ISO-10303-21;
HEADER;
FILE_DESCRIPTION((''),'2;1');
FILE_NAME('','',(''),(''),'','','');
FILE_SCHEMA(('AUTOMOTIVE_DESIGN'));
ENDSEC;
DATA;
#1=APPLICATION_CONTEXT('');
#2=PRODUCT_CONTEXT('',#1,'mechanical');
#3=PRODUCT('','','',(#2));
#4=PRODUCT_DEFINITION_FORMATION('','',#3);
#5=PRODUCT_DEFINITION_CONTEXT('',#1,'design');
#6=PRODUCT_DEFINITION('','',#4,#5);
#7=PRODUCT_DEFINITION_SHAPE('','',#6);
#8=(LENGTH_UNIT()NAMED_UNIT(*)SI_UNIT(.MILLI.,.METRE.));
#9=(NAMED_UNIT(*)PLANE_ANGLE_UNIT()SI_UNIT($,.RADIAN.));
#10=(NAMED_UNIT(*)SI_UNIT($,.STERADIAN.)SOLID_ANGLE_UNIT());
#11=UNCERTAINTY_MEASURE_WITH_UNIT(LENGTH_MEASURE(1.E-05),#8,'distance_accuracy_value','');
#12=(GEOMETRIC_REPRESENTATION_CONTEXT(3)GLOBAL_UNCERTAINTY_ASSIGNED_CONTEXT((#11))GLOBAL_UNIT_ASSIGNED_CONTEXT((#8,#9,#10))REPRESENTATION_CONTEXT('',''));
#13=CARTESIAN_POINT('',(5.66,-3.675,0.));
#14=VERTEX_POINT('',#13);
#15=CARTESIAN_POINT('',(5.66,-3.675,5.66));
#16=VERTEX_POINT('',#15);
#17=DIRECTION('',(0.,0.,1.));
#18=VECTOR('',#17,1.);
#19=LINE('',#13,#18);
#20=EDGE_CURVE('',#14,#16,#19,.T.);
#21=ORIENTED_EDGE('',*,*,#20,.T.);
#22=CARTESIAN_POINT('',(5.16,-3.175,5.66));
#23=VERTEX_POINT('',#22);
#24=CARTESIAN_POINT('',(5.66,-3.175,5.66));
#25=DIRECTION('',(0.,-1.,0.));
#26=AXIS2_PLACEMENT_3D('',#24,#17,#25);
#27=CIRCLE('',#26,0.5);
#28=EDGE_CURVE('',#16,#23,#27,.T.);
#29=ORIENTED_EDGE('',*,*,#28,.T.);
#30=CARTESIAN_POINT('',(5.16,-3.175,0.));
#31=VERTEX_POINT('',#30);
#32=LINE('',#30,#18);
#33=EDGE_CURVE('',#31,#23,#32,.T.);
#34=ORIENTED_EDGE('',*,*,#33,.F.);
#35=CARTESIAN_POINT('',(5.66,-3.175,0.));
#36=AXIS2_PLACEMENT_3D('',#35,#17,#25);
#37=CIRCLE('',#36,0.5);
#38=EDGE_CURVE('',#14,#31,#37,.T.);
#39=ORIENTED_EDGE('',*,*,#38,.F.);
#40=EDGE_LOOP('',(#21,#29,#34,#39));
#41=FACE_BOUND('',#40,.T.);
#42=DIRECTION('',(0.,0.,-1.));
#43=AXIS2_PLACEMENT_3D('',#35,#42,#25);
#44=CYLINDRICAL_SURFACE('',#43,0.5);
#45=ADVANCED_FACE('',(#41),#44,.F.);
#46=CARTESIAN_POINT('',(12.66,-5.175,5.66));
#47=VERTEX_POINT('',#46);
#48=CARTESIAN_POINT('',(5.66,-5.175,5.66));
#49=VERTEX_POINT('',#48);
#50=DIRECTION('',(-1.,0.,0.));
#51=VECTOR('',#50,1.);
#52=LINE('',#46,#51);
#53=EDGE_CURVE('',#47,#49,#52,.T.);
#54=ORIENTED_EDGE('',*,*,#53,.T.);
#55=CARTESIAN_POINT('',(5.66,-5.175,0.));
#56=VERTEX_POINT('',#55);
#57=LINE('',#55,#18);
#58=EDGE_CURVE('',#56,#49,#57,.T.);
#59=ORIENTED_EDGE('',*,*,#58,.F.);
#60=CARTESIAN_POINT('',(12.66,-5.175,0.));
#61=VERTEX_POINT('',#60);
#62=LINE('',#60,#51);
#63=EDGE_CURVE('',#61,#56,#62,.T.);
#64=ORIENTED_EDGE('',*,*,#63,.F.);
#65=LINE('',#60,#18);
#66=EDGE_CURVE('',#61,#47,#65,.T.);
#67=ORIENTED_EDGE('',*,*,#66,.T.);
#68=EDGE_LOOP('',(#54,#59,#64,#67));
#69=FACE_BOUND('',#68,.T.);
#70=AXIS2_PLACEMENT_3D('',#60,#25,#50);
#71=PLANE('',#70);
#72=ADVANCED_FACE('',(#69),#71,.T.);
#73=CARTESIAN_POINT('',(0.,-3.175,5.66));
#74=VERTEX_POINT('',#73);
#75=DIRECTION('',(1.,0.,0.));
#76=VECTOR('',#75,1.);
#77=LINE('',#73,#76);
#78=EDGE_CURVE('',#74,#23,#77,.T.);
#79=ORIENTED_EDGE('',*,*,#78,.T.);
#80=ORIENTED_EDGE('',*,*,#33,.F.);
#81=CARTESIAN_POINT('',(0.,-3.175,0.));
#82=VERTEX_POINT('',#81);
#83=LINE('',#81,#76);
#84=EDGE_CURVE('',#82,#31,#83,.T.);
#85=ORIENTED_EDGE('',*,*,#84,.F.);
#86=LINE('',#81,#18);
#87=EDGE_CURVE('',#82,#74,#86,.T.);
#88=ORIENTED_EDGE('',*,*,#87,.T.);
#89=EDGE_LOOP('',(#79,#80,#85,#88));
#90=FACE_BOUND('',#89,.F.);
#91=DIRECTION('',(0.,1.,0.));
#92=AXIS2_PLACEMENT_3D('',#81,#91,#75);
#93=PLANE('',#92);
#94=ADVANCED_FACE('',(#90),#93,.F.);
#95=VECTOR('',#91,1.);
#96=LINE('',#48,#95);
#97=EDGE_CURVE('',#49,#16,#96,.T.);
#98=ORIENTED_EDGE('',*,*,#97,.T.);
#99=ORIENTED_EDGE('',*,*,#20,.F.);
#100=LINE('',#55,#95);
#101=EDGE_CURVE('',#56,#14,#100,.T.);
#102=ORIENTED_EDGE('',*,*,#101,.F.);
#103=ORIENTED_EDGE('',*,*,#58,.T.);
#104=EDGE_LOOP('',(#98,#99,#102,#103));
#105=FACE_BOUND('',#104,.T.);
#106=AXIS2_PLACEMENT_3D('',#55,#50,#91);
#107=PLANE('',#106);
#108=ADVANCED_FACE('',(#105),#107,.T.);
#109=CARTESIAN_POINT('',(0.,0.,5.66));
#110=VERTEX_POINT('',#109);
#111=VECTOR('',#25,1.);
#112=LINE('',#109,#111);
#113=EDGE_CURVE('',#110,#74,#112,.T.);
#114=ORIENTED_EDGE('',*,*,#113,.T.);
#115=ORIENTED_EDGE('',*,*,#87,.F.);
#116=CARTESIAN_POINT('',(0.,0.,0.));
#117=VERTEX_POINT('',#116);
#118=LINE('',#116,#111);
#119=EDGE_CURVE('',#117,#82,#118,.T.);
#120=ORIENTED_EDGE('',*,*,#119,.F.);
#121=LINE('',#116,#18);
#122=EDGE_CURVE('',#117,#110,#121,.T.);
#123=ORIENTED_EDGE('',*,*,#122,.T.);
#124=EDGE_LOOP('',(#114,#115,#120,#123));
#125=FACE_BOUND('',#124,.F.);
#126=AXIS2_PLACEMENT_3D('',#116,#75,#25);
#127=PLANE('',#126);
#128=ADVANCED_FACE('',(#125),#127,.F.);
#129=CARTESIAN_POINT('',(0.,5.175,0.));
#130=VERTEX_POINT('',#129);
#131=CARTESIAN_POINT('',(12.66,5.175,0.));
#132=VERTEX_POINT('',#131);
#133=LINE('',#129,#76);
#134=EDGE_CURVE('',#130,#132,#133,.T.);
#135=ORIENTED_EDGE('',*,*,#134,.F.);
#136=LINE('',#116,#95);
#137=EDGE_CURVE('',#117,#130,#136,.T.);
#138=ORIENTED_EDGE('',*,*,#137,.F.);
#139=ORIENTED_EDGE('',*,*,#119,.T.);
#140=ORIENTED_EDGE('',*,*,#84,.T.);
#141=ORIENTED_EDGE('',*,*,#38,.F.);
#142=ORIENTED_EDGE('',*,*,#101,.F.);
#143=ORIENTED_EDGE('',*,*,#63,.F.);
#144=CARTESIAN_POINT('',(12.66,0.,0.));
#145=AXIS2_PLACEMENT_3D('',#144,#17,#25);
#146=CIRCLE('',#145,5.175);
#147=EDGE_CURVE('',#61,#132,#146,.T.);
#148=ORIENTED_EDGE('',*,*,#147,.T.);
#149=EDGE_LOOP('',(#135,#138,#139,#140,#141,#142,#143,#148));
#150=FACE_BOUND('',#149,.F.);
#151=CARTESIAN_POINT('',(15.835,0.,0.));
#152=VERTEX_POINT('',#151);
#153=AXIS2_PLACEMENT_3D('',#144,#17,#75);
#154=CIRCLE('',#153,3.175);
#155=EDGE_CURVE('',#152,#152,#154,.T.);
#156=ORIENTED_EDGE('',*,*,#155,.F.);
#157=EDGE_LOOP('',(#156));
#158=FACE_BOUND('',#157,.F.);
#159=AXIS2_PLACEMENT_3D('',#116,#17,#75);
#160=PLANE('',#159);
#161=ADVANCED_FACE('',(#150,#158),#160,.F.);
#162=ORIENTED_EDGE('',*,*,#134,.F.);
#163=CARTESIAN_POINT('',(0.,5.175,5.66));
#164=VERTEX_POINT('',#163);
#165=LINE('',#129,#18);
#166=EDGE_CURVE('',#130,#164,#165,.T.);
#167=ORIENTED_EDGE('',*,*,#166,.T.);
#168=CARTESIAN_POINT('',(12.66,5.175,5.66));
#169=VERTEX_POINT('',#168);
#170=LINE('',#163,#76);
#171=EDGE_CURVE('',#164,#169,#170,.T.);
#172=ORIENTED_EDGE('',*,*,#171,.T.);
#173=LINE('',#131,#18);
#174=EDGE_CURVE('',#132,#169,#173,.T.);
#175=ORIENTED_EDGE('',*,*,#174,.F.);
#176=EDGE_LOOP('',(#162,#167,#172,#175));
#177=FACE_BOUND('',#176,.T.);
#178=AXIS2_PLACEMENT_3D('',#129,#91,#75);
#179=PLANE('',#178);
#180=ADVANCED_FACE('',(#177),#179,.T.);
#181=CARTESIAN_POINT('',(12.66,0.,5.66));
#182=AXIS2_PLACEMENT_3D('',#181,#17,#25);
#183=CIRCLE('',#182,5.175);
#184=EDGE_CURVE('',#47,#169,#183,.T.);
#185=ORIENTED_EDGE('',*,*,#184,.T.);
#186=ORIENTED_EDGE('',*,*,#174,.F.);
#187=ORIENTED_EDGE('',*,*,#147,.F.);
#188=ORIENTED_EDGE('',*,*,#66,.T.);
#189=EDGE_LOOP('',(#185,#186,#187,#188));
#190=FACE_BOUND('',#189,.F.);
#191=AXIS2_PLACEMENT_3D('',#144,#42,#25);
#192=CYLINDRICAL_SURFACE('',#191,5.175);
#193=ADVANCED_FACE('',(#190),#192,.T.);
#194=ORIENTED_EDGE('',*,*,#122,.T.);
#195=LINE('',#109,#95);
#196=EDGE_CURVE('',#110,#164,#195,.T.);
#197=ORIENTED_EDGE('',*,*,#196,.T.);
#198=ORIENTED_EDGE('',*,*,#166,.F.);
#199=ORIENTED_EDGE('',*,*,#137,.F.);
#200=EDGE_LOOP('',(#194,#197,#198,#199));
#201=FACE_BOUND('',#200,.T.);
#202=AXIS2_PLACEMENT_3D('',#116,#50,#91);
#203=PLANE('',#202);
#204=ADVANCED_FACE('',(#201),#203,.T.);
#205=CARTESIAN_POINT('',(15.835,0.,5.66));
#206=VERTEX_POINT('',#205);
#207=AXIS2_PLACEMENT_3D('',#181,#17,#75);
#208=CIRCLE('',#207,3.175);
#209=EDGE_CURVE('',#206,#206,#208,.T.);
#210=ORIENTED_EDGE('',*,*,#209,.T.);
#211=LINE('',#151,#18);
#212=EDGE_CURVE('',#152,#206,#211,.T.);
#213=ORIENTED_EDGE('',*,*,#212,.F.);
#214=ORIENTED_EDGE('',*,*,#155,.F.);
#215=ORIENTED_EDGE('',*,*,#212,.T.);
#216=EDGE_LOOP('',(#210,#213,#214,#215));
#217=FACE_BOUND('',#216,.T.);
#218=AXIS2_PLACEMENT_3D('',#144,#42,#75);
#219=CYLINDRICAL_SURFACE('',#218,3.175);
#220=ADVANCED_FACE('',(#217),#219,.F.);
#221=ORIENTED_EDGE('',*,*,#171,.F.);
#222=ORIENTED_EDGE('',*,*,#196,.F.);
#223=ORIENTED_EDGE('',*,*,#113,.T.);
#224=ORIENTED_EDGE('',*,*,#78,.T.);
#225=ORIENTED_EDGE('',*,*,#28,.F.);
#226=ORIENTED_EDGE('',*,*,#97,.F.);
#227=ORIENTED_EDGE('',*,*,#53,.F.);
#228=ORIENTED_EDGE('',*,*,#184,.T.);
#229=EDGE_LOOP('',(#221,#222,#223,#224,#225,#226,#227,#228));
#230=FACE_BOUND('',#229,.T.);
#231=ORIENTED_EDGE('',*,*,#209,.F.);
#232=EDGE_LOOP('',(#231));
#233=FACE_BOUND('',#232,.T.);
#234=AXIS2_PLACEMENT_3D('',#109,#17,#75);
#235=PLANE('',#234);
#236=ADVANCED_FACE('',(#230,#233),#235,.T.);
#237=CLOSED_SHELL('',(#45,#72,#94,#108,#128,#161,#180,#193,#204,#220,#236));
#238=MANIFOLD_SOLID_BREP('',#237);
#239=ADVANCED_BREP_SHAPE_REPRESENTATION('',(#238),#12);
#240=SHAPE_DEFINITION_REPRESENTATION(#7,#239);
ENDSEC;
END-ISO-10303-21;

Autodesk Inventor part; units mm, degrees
ref_plane "YZ Plane" through (0, 0, 0) normal (1, 0, 0) x (0, 1, 0)
ref_plane "XZ Plane" through (0, 0, 0) normal (0, 1, 0) x (-1, 0, 0)
ref_plane "XY Plane" through (0, 0, 0) normal (0, 0, 1) x (1, 0, 0)
sketch "Sketch1" plane through (0, 0, 0) normal (0, 0, 1) x (1, 0, 0)
  line L0 (0, 0) -> (0, -3.175)
  line L1 (0, -3.175) -> (5.16, -3.175)
  line L2 (0, 0) -> (0, 5.175)
  line L3 (0, 5.175) -> (12.66, 5.175)
  arc A0 (12.66, -5.175) -> (12.66, 5.175) centre (12.66, 0) ccw
  line L4 (12.66, -5.175) -> (5.66, -5.175)
  line L5 (5.66, -5.175) -> (5.66, -3.675)
  circle A1 centre (12.66, 0) radius 3.175
  arc A2 (5.66, -3.675) -> (5.16, -3.175) centre (5.66, -3.175) ccw
  dimension "d3" = 5.175
  dimension "d4" = 6.35
  dimension "d7" = 7
  dimension "d9" = 2
  dimension "d10" = 5.66
  dimension "d11" = 1
  dimension "d12" = 5.66
extrude "Extrusion1" add sketch "Sketch1" along normal blind 5.66
properties part number "Lower Arm Bracket"
